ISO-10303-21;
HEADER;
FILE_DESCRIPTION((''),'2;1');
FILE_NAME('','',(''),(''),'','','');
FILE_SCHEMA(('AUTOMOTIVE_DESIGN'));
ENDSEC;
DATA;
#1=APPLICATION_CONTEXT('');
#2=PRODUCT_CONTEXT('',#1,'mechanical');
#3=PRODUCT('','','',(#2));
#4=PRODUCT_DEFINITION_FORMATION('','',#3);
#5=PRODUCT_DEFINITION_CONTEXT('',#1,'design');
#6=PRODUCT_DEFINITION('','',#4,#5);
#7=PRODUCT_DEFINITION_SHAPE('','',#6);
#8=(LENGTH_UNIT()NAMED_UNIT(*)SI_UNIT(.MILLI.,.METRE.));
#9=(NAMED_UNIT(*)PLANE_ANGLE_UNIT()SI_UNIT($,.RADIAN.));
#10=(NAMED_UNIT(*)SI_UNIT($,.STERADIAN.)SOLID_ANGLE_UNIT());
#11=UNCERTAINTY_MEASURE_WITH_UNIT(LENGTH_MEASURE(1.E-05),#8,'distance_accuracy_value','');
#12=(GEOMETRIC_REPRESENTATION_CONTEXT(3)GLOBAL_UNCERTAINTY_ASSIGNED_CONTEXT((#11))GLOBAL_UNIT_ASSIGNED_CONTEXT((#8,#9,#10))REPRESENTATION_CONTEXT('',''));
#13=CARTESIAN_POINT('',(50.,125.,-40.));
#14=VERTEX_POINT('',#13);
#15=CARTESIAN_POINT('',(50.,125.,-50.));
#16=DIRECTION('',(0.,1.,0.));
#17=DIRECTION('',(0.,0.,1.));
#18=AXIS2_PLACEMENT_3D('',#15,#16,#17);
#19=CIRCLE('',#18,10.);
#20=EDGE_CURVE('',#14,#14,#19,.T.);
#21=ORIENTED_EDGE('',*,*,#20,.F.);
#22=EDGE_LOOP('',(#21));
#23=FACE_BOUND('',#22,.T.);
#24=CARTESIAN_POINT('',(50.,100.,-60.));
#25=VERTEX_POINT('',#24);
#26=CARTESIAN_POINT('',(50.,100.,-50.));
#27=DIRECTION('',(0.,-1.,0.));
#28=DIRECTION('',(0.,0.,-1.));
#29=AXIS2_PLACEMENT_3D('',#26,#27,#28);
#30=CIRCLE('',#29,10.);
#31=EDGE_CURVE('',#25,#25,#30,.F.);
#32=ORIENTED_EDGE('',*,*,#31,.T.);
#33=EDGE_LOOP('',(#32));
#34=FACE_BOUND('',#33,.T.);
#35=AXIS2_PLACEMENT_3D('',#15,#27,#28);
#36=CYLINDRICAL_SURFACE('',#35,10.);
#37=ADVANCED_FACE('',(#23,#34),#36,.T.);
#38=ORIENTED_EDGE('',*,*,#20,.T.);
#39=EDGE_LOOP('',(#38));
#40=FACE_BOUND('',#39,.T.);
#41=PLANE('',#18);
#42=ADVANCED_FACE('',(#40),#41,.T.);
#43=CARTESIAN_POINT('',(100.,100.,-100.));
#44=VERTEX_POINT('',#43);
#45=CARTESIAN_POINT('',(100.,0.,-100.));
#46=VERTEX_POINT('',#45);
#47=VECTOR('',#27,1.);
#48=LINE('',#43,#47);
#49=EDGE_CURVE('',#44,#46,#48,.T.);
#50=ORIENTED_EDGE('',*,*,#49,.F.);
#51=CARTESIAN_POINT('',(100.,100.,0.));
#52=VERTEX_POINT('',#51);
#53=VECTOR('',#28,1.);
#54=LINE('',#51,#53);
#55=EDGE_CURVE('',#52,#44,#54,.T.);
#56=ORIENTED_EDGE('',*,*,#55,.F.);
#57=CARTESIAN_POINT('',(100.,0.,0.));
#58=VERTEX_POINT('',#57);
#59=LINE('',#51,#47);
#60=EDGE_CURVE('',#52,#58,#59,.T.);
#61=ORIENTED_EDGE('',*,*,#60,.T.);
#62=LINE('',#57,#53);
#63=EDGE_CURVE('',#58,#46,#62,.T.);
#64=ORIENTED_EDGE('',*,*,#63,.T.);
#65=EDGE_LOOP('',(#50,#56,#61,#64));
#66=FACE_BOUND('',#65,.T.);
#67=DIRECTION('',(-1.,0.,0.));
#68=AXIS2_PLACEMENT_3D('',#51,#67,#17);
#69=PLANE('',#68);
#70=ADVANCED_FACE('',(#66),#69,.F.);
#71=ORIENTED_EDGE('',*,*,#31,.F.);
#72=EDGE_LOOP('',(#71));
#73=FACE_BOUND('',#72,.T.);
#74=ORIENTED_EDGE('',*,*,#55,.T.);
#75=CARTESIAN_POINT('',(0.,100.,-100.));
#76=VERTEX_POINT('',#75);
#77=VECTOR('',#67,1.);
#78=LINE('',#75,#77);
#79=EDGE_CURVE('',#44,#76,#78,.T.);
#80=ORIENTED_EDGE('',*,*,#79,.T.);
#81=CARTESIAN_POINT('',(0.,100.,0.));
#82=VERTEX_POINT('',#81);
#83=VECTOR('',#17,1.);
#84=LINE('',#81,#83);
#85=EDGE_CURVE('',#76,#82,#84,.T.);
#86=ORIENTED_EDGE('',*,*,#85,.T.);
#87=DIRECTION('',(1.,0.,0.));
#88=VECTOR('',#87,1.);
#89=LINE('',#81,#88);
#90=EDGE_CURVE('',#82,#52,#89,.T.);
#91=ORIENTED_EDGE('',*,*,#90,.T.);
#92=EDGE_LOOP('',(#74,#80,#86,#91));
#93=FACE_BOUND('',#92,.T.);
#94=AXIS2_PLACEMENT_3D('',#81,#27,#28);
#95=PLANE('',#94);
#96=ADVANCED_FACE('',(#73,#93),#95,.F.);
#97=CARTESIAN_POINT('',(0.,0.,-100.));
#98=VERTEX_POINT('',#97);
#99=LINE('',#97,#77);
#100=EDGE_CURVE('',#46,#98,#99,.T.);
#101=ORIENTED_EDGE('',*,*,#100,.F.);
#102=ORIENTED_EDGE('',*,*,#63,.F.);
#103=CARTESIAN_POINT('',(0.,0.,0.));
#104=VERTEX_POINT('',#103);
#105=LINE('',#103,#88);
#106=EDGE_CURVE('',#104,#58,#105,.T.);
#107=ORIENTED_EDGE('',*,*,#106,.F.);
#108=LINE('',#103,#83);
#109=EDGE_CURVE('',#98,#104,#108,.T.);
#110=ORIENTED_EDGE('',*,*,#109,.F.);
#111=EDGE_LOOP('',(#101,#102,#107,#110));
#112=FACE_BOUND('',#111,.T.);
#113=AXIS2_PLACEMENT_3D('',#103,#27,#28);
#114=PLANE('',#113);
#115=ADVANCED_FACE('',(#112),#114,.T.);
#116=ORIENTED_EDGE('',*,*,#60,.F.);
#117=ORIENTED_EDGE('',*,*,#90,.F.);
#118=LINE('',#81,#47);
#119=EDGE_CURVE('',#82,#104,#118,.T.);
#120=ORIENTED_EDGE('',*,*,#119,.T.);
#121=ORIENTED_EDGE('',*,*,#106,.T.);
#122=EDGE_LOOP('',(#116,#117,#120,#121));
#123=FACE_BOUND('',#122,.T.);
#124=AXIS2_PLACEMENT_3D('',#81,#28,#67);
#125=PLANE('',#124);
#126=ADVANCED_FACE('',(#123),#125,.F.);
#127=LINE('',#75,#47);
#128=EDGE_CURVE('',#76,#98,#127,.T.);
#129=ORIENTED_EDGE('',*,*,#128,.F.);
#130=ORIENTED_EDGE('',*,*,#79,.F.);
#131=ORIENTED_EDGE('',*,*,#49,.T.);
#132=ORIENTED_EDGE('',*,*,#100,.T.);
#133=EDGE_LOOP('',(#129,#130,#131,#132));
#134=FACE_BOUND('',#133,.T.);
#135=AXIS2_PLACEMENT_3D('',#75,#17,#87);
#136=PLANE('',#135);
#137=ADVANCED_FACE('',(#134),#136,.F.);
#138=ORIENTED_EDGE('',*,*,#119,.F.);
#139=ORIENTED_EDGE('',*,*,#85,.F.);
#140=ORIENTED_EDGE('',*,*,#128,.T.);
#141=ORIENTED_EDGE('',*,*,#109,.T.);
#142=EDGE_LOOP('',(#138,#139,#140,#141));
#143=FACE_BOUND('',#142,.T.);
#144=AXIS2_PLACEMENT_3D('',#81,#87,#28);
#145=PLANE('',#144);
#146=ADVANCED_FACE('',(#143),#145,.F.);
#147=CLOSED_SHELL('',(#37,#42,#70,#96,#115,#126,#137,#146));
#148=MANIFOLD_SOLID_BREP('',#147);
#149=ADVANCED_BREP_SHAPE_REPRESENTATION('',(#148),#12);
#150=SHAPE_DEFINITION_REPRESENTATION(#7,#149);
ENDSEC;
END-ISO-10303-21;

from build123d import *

# Parameters (mm, degrees)
SKETCH1_W           = 100
SKETCH1_H           = 100
BOSS_EXTRUDE1_DEPTH = 100
SKETCH2_R           = 10
BOSS_EXTRUDE2_DEPTH = 25


with BuildPart() as part:
    # Sketch1 → Boss-Extrude1 (new body)
    with BuildSketch(Plane(origin=(0, 0, 0), x_dir=(1, 0, 0), z_dir=(0, 1, 0))):
        with Locations((50, 50)):
            Rectangle(SKETCH1_W, SKETCH1_H)
    extrude(amount=BOSS_EXTRUDE1_DEPTH)

    # Sketch2 → Boss-Extrude2 (add)
    with BuildSketch(Plane(origin=(0, 100, 0), x_dir=(1, 0, 0), z_dir=(0, 1, 0))):
        with Locations((50, 50)):
            Circle(SKETCH2_R)
    extrude(amount=BOSS_EXTRUDE2_DEPTH)


solid = part.part
